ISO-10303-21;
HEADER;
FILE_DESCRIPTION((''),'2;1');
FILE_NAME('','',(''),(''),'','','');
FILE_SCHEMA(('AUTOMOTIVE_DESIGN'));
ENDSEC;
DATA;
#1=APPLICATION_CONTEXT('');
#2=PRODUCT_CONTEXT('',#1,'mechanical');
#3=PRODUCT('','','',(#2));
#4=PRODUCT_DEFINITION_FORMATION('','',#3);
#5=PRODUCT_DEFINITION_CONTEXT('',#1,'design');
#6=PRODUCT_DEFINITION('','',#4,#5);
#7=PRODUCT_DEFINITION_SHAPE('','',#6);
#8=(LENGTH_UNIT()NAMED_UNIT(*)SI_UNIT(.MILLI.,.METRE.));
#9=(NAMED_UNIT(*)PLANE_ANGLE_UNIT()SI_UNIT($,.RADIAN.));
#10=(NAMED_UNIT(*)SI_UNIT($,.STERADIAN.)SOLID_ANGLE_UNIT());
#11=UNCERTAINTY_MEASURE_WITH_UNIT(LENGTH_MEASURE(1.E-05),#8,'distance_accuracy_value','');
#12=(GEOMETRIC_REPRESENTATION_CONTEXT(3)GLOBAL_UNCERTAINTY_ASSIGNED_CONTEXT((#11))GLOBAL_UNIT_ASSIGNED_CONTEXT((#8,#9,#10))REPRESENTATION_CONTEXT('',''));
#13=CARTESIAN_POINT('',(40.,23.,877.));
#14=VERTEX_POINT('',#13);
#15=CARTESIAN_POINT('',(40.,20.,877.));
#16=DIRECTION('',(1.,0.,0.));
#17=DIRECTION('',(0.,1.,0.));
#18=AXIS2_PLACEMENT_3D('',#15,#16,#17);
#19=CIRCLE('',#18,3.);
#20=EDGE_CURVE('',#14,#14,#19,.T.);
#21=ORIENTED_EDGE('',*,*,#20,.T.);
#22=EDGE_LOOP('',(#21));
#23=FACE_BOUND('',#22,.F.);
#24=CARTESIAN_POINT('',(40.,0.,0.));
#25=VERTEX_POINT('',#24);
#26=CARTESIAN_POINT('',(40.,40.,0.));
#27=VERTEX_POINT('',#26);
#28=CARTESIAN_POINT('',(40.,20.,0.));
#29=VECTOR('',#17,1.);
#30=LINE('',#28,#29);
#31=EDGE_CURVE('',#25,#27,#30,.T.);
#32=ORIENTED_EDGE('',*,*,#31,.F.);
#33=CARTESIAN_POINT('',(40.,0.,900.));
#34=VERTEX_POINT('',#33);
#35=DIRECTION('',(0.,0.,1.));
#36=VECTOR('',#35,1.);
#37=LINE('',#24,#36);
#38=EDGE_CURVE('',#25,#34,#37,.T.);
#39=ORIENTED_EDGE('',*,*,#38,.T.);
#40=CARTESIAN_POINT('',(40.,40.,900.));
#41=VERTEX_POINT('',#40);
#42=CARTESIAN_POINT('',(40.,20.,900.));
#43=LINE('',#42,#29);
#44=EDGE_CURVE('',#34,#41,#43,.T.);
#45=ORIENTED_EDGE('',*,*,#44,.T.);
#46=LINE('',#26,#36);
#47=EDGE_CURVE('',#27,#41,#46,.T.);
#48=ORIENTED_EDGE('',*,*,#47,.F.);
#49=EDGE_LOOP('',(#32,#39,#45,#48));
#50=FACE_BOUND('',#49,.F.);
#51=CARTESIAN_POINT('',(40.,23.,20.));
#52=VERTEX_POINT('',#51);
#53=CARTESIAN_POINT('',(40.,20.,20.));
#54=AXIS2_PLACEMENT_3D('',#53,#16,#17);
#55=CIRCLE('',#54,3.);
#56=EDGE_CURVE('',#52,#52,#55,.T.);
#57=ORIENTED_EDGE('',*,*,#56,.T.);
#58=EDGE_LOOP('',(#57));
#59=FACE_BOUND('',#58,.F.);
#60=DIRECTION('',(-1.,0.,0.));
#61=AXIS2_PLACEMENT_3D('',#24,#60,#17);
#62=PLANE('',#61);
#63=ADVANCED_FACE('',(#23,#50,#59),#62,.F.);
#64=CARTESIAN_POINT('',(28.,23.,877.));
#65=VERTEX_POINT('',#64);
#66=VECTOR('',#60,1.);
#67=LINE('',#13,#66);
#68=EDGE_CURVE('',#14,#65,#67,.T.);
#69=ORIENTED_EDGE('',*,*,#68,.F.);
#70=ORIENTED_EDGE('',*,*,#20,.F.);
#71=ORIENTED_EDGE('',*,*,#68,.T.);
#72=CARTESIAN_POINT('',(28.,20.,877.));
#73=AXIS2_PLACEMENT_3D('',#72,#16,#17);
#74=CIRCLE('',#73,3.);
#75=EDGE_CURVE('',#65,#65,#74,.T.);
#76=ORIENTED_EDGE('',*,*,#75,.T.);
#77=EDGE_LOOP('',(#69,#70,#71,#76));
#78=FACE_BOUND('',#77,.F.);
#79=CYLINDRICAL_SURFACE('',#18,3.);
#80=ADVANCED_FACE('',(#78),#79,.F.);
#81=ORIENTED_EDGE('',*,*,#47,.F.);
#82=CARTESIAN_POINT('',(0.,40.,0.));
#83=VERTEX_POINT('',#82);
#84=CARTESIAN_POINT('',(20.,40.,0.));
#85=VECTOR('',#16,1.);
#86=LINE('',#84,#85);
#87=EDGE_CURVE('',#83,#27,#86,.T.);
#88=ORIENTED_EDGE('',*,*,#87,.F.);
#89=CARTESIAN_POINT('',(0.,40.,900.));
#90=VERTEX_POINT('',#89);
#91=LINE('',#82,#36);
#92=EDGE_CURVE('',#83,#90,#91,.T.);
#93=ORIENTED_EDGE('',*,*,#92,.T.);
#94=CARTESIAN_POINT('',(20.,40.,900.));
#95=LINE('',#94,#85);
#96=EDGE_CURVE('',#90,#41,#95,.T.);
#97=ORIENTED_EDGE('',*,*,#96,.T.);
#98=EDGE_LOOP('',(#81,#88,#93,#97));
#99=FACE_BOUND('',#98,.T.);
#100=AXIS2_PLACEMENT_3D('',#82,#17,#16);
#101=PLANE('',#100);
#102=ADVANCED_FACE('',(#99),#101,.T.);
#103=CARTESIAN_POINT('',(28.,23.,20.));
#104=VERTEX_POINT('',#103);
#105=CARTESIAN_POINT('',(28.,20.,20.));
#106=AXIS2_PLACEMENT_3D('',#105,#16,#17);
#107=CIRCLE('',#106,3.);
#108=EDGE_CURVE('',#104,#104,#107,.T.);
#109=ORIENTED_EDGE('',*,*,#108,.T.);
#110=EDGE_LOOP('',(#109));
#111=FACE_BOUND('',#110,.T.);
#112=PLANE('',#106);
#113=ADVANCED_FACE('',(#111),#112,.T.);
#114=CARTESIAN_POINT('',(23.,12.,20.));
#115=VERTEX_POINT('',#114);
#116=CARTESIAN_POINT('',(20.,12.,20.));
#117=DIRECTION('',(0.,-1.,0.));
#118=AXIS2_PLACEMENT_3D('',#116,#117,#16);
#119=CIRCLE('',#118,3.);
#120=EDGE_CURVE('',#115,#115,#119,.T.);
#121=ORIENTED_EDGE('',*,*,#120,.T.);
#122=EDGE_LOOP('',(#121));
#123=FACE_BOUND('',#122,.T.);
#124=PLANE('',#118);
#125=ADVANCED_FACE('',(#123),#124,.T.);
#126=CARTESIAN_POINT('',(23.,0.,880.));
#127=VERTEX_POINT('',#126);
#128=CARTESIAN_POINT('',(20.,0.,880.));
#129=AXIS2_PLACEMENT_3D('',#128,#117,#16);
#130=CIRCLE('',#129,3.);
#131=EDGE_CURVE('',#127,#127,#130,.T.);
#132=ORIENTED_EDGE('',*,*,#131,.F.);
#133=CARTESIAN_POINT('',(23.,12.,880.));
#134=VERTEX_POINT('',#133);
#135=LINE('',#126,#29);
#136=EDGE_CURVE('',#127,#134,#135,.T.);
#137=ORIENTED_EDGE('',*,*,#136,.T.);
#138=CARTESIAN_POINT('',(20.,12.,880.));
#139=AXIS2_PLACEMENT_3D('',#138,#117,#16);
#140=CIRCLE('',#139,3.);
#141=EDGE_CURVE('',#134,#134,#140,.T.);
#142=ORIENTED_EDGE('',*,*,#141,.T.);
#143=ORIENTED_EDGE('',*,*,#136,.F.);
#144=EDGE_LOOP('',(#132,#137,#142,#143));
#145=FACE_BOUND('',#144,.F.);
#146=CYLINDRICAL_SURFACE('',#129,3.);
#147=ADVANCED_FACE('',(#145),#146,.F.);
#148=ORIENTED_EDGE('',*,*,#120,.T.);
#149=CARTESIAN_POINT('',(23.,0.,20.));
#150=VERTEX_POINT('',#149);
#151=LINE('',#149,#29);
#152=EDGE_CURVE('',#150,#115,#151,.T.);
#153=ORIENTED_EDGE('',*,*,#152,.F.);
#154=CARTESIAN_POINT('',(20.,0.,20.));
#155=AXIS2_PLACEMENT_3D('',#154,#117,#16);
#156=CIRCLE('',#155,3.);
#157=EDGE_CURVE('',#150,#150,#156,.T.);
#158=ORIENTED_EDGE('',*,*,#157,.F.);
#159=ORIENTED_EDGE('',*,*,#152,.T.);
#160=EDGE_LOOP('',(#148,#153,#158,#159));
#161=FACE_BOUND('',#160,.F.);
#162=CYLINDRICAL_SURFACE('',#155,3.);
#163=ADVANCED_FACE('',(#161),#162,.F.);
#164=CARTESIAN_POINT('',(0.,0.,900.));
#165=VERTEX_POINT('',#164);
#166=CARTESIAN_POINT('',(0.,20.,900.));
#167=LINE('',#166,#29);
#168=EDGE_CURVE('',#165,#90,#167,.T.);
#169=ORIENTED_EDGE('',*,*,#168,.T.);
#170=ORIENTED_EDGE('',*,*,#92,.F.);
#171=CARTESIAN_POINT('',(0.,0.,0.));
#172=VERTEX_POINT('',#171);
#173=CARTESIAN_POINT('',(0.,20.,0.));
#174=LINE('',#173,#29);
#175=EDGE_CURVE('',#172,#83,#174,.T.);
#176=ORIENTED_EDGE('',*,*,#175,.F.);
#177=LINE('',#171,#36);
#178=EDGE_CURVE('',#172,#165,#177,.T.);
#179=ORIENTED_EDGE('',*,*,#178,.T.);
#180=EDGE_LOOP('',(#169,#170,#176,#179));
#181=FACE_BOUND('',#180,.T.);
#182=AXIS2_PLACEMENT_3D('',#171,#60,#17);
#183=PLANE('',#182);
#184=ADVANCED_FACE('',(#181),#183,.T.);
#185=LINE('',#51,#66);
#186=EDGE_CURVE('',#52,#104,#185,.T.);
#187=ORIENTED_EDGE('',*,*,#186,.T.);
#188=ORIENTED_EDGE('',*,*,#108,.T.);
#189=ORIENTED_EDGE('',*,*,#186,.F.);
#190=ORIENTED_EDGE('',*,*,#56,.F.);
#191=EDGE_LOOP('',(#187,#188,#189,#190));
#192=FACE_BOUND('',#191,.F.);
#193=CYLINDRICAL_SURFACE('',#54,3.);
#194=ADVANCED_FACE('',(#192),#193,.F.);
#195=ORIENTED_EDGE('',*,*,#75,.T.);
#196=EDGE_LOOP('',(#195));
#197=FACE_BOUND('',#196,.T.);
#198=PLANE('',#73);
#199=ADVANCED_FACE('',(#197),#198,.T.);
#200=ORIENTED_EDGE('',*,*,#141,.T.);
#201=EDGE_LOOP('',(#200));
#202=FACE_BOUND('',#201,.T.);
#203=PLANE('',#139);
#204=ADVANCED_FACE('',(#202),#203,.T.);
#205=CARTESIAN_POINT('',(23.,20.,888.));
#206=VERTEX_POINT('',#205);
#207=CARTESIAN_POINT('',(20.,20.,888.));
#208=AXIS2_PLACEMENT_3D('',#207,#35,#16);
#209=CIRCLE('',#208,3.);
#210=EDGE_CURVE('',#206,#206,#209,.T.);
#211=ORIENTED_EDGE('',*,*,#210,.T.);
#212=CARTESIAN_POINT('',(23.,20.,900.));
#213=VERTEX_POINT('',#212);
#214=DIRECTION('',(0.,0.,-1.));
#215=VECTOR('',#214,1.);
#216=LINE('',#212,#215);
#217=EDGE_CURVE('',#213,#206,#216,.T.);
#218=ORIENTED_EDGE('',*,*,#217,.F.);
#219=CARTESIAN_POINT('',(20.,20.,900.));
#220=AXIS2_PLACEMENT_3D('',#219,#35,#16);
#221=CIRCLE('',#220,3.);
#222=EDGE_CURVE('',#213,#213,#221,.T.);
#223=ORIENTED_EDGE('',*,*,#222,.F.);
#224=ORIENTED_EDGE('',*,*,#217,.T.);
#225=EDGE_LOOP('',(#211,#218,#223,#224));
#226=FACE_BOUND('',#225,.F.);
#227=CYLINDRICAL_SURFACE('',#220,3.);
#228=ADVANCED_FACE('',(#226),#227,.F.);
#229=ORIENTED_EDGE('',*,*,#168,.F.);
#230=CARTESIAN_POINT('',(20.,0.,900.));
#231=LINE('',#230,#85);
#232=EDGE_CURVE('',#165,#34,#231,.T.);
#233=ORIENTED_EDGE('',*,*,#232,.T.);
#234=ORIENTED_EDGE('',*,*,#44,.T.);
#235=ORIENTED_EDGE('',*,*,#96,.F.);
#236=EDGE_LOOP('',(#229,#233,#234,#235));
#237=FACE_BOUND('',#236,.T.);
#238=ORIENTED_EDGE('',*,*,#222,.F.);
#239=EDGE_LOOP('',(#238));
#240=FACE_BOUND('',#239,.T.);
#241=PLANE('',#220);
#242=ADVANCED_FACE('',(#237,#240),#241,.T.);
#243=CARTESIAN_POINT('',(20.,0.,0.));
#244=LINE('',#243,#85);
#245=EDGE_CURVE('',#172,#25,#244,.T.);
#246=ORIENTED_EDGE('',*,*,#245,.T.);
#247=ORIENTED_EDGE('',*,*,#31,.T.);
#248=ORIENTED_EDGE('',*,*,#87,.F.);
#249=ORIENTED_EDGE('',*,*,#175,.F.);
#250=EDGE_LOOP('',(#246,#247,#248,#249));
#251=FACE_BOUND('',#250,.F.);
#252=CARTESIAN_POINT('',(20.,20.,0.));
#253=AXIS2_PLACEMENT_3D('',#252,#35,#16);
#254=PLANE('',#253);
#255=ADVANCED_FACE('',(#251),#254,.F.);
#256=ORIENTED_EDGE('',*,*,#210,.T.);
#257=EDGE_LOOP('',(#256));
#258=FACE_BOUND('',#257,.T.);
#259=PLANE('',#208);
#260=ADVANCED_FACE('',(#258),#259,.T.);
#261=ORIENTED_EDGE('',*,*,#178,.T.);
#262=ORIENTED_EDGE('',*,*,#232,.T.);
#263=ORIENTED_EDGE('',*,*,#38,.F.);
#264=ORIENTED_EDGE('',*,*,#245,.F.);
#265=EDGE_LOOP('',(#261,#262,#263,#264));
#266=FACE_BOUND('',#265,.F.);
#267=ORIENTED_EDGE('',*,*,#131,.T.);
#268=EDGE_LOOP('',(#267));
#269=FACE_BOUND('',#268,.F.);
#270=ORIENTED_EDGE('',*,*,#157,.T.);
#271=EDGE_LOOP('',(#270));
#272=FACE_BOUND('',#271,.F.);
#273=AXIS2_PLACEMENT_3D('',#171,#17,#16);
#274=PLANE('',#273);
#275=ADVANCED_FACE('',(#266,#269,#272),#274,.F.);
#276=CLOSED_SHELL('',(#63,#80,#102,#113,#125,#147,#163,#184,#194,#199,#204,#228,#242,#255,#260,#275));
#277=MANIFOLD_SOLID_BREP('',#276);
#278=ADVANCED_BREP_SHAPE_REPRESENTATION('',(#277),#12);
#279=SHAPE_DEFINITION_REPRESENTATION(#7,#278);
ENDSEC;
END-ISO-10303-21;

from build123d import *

# Parameters (mm, degrees)
F0_W      = 40
F0_H      = 40
F1_DEPTH  = 900
F2_R      = 3
F3_DEPTH  = 12
F4_R      = 3
F5_DEPTH  = 12
F6_R      = 3
F7_DEPTH  = 12
F8_R      = 3
F9_DEPTH  = 12
F10_R     = 3
F11_DEPTH = 12


with BuildPart() as f1:
    # F0 (on Top) → F1 (new body)
    with BuildSketch(Plane.XY):
        with Locations((20, 20)):
            Rectangle(F0_W, F0_H)
    extrude(amount=F1_DEPTH)

    # F2 (on face) → F3 (cut)
    with BuildSketch(Plane.XY.offset(900)):
        with Locations((20, 20)):
            Circle(F2_R)
    extrude(amount=-F3_DEPTH, mode=Mode.SUBTRACT)

    # F4 (on face) → F5 (cut)
    with BuildSketch(Plane.XZ):
        with Locations((20, 880)):
            Circle(F4_R)
    extrude(amount=-F5_DEPTH, mode=Mode.SUBTRACT)

    # F6 (on face) → F7 (cut)
    with BuildSketch(Plane.YZ.offset(40)):
        with Locations((20, 877)):
            Circle(F6_R)
    extrude(amount=-F7_DEPTH, mode=Mode.SUBTRACT)

    # F8 (on face) → F9 (cut)
    with BuildSketch(Plane.YZ.offset(40)):
        with Locations((20, 20)):
            Circle(F8_R)
    extrude(amount=-F9_DEPTH, mode=Mode.SUBTRACT)

    # F10 (on face) → F11 (cut)
    with BuildSketch(Plane.XZ):
        with Locations((20, 20)):
            Circle(F10_R)
    extrude(amount=-F11_DEPTH, mode=Mode.SUBTRACT)


solid = f1.part
